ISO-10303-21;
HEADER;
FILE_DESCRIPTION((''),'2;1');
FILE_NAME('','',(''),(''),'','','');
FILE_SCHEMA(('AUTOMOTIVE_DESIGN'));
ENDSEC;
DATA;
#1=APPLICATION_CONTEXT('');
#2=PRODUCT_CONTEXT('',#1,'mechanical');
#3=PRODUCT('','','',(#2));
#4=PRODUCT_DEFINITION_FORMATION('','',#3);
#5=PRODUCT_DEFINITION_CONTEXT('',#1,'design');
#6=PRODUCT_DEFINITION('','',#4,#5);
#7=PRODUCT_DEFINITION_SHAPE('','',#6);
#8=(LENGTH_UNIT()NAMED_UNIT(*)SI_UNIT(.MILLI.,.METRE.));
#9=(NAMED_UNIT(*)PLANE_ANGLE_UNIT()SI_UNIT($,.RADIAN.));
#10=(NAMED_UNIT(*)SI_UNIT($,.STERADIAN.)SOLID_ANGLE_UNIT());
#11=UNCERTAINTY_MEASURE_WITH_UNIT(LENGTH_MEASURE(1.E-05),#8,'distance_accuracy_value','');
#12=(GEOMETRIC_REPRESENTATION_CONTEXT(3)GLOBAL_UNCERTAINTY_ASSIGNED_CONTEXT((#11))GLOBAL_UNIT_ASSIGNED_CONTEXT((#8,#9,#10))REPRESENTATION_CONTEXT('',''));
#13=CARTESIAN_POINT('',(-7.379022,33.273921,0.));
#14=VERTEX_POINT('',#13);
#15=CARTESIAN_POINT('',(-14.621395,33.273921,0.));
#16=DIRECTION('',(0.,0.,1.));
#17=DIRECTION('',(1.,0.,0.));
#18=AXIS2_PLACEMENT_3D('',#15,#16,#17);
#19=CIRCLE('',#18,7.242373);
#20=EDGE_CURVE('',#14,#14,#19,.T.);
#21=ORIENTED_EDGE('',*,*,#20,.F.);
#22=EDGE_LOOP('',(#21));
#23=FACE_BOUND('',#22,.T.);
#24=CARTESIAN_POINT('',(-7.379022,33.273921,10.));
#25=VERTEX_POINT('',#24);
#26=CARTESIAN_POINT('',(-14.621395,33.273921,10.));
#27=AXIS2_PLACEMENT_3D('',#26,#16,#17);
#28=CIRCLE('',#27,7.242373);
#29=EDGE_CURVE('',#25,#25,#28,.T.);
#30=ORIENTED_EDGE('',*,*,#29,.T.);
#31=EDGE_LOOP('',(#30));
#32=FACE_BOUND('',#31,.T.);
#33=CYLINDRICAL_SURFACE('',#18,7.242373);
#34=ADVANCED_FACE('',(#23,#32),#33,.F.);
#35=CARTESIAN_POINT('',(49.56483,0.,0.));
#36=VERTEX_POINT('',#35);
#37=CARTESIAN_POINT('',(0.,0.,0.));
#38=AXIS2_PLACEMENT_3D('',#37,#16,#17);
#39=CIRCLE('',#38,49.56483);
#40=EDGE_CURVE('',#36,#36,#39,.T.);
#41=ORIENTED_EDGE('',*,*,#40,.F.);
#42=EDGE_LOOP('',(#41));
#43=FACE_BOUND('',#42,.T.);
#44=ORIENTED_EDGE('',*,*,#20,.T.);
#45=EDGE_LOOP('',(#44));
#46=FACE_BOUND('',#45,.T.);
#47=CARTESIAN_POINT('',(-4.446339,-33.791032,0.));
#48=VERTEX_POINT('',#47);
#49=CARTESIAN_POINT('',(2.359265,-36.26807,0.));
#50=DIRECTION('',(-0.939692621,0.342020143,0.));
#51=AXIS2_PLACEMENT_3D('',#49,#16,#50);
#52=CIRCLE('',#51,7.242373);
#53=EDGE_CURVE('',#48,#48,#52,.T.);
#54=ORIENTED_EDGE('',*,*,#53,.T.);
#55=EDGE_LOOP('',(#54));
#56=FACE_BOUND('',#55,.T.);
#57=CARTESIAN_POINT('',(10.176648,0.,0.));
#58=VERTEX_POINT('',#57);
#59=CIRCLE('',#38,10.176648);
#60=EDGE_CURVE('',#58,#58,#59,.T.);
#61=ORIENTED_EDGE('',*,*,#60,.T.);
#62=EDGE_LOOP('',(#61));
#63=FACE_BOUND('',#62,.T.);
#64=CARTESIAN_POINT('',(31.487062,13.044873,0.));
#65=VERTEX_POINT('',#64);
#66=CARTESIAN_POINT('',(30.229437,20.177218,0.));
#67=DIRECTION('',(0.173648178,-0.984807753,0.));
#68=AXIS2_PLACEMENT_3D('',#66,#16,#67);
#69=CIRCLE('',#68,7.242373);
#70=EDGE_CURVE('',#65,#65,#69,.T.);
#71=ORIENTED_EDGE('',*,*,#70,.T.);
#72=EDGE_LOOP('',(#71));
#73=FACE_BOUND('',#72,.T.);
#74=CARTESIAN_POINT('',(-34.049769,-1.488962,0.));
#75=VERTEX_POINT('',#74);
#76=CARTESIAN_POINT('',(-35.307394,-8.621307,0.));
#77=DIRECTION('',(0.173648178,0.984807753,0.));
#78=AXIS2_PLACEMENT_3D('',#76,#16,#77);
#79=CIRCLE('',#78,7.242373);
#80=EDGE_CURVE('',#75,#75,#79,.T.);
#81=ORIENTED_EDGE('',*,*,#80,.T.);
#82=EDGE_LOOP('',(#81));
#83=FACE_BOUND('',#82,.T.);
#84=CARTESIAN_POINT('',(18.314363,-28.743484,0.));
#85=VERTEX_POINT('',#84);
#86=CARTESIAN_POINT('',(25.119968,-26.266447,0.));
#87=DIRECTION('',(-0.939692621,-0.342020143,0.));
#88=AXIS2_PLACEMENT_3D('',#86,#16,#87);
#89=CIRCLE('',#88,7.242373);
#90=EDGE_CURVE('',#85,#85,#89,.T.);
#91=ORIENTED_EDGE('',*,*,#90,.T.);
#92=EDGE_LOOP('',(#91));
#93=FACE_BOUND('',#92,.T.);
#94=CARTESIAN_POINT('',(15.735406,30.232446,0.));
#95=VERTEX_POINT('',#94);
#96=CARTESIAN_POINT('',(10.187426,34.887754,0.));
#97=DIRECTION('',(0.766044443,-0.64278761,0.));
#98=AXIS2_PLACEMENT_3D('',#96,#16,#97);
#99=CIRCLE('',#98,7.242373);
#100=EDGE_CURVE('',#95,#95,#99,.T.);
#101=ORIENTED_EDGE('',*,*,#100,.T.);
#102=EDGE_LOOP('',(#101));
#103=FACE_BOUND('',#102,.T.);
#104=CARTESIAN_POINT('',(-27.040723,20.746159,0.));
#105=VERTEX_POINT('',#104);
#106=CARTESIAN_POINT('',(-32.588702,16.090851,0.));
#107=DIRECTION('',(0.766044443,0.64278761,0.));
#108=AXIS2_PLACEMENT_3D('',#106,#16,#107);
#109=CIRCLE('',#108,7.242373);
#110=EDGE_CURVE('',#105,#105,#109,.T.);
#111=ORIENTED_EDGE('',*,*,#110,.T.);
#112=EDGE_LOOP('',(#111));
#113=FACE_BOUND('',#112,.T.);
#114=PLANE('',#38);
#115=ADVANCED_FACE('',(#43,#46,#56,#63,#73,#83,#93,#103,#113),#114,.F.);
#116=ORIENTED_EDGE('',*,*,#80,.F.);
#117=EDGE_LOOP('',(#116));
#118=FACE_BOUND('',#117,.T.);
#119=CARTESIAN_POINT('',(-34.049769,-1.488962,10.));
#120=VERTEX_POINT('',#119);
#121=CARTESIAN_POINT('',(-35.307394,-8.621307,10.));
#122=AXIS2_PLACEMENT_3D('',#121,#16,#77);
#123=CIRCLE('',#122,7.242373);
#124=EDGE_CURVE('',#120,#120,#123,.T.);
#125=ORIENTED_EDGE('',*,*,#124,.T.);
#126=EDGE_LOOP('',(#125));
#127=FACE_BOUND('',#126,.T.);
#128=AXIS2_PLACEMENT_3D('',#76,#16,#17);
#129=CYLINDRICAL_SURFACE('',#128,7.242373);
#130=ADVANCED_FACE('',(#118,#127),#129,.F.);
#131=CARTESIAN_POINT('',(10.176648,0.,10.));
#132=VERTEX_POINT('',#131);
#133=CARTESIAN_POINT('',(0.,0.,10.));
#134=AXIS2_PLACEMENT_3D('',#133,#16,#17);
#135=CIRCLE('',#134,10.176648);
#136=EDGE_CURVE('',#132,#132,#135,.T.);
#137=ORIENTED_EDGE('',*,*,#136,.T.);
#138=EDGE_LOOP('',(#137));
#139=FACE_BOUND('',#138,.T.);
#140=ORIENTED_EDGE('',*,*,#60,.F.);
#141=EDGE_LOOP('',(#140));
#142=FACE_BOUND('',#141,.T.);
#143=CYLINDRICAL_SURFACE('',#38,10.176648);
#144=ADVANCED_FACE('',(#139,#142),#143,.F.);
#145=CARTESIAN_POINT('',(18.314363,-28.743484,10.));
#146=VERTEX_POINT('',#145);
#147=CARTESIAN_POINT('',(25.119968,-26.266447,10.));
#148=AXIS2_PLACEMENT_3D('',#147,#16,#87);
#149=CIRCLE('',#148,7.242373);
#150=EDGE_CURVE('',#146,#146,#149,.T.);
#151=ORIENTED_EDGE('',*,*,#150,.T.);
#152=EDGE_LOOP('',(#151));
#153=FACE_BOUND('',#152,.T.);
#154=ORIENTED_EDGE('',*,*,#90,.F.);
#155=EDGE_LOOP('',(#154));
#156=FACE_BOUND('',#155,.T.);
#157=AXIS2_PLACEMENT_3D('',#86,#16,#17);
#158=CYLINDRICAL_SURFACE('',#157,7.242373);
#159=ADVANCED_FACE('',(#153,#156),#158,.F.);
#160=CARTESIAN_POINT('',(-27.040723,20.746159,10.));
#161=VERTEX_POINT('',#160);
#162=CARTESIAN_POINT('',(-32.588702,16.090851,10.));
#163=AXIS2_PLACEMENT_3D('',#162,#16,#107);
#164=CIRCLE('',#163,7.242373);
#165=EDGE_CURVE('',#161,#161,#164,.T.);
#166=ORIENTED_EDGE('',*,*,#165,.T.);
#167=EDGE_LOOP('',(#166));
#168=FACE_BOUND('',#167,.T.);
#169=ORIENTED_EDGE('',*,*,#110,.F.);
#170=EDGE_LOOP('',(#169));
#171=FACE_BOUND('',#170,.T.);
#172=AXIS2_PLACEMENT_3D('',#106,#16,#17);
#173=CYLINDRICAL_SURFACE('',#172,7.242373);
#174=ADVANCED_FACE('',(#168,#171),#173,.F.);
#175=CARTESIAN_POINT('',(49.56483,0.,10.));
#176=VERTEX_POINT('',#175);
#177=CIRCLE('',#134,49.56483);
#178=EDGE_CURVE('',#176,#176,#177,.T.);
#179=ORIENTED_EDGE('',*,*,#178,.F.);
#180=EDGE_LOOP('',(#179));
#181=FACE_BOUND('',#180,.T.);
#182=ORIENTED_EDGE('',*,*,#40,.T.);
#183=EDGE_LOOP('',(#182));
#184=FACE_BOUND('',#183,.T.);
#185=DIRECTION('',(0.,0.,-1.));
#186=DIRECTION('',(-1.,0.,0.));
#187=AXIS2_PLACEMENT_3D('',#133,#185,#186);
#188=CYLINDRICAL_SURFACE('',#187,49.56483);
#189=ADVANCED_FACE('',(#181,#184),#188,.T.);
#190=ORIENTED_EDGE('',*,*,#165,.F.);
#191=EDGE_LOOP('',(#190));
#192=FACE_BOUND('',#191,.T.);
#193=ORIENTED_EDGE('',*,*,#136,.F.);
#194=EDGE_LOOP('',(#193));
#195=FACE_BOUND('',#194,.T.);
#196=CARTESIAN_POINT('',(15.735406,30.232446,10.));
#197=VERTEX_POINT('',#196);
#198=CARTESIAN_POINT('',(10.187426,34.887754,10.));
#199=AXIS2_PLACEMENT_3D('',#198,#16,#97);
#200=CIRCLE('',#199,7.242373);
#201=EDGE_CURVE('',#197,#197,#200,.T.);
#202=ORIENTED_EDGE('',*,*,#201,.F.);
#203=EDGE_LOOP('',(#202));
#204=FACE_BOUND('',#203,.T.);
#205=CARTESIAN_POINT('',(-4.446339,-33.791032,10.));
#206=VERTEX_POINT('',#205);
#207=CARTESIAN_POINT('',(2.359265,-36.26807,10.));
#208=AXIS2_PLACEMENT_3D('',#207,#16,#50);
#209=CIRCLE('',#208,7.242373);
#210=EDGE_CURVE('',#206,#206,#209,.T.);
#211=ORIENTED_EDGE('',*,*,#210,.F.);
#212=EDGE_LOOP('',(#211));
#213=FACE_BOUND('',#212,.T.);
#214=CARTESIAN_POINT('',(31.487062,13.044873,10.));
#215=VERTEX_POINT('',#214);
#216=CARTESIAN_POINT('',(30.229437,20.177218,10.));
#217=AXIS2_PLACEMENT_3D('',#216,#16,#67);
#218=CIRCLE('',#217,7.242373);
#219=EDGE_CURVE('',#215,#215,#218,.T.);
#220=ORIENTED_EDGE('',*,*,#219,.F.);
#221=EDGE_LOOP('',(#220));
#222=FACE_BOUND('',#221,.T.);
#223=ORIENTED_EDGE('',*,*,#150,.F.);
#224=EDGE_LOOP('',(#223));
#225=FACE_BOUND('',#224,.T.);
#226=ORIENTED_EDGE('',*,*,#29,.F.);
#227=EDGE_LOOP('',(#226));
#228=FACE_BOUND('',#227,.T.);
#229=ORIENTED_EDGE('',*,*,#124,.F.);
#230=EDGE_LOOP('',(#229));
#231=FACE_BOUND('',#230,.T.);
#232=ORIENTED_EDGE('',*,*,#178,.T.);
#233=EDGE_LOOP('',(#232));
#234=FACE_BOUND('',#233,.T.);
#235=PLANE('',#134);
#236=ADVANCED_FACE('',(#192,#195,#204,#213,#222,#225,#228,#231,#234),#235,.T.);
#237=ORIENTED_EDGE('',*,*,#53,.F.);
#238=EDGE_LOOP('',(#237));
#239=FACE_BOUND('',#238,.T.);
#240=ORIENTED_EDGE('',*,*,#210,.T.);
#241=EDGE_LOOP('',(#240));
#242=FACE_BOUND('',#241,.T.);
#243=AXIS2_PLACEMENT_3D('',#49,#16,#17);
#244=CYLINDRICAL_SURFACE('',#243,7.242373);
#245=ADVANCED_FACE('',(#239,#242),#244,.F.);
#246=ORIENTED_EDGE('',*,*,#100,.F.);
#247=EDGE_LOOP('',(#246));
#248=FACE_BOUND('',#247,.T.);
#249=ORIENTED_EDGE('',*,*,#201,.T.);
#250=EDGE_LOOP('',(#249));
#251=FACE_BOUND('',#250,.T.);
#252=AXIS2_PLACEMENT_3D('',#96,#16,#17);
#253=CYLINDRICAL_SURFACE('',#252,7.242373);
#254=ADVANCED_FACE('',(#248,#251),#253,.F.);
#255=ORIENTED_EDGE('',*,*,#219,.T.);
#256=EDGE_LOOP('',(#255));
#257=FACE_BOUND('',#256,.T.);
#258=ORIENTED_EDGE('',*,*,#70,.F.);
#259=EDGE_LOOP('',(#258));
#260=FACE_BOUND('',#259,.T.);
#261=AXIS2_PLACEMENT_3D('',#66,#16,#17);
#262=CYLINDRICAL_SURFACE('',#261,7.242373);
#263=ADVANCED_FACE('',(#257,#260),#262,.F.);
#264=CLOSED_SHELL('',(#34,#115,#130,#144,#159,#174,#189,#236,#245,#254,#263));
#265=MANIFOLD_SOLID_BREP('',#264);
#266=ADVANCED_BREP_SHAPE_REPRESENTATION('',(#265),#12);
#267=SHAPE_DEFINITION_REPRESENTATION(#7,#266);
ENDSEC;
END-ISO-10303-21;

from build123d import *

# Parameters (mm, degrees)
SKETCH8_R           = 49.56483005
BOSS_EXTRUDE3_DEPTH = 10
SKETCH9_R           = 10.176647679
CUT_EXTRUDE3_DEPTH  = 11
SKETCH11_R          = 7.242372995
CUT_EXTRUDE5_DEPTH  = 11
CIRPATTERN2_COUNT   = 9


with BuildPart() as part:
    # Sketch8 → Boss-Extrude3 (new body)
    with BuildSketch(Plane.XY):
        Circle(SKETCH8_R)
    extrude(amount=BOSS_EXTRUDE3_DEPTH)

    # Sketch9 → Cut-Extrude3 (cut, through all)
    with BuildSketch(Plane.XY.offset(10)):
        Circle(SKETCH9_R)
    extrude(amount=-CUT_EXTRUDE3_DEPTH, mode=Mode.SUBTRACT)

    # Sketch11 → Cut-Extrude5 (cut, through all)
    with BuildSketch(Plane.XY.offset(10)):
        with Locations((-14.621394537, 33.273921214)):
            Circle(SKETCH11_R)
    cut_extrude5 = extrude(amount=-CUT_EXTRUDE5_DEPTH, mode=Mode.SUBTRACT)

    # CirPattern2: Cut-Extrude5 ×9 about axis, 2 skipped
    cirpattern2_axis = Axis((0, 0, 0), (0, 0, 1))
    add([cut_extrude5.rotate(cirpattern2_axis, i * 360 / CIRPATTERN2_COUNT) for i in range(1, CIRPATTERN2_COUNT) if i not in (3, 6)], mode=Mode.SUBTRACT)


solid = part.part
